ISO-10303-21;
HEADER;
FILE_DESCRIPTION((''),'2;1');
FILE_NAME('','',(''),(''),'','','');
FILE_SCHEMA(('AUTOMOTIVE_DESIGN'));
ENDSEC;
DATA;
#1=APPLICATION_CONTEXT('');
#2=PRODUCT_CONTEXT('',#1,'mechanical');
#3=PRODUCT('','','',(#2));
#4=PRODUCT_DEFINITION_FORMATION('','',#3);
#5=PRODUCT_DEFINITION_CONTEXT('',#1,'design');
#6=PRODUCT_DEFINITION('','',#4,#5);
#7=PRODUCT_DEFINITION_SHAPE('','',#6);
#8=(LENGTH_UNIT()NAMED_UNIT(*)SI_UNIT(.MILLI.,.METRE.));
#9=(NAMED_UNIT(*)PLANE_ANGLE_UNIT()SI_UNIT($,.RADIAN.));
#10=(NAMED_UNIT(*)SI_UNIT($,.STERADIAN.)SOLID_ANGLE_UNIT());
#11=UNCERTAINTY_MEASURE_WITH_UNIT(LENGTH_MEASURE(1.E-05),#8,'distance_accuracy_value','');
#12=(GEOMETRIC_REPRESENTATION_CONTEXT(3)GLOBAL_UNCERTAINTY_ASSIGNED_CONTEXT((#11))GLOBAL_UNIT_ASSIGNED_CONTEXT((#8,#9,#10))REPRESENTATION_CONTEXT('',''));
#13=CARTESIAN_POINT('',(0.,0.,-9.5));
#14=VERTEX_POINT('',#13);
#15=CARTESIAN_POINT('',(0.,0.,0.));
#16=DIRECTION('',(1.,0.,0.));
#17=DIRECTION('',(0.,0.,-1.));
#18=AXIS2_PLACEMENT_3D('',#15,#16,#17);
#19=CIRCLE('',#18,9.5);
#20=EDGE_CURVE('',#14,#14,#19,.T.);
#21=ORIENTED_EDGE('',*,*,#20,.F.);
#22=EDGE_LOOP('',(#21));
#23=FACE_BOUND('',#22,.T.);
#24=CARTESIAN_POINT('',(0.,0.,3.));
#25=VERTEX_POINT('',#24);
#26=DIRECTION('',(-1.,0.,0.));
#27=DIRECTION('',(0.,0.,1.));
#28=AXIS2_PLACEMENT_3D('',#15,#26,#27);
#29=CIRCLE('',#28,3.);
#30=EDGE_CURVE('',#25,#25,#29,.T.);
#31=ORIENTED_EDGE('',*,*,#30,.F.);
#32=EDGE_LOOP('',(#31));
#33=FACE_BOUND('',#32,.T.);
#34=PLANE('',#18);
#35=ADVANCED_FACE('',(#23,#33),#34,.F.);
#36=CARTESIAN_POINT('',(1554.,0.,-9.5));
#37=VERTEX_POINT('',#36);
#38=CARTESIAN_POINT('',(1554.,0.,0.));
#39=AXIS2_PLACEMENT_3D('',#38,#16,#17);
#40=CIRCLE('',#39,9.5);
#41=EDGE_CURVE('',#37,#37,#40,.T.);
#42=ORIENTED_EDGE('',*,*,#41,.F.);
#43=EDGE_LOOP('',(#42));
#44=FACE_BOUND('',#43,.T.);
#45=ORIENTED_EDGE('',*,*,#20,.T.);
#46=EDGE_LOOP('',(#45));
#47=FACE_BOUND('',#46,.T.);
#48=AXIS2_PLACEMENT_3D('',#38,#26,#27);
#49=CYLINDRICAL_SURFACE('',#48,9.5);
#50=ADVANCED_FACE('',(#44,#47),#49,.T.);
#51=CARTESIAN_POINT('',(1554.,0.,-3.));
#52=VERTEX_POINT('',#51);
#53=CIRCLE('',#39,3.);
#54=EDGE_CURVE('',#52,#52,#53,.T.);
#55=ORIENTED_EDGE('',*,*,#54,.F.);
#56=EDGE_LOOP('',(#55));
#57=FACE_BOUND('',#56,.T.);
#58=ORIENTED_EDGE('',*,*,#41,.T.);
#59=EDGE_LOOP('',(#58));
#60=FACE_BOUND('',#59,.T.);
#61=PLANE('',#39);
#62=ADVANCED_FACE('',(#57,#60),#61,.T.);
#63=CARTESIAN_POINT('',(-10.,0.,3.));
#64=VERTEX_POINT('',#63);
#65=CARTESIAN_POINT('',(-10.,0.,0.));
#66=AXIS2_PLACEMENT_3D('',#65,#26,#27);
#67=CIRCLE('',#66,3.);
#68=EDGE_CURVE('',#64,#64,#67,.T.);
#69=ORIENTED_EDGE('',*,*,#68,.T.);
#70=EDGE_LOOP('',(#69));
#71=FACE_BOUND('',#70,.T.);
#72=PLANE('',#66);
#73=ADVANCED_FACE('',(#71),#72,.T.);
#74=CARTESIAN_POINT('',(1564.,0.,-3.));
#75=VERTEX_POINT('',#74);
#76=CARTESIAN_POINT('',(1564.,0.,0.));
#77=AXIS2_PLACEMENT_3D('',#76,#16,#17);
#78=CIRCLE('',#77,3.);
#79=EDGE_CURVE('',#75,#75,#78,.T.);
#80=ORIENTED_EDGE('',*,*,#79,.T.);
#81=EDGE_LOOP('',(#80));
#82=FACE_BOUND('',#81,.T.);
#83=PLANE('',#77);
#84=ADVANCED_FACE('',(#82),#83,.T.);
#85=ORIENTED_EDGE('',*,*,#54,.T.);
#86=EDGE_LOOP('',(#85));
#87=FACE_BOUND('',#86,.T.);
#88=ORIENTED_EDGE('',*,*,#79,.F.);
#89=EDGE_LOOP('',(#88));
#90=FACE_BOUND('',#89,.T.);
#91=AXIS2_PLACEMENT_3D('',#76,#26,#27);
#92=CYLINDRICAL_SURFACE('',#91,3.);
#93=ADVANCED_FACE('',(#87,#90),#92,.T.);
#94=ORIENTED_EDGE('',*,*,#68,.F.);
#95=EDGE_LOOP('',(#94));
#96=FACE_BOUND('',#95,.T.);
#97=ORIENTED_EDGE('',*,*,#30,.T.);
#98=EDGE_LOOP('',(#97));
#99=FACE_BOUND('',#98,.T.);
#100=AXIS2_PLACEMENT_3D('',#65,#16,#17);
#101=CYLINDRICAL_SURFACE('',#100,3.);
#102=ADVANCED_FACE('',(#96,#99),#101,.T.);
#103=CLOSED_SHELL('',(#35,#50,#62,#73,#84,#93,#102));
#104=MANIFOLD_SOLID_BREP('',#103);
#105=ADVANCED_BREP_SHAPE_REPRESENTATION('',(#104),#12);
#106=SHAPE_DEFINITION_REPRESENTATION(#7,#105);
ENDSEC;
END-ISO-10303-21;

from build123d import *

# Parameters (mm, degrees)
SKETCH1_R           = 9.5
BOSS_EXTRUDE1_DEPTH = 1554
SKETCH2_R           = 3
BOSS_EXTRUDE2_DEPTH = 10
SKETCH3_R           = 3
BOSS_EXTRUDE3_DEPTH = 10


with BuildPart() as part:
    # Sketch1 → Boss-Extrude1 (new body)
    with BuildSketch(Plane(origin=(0, 0, 0), x_dir=(0, 0, -1), z_dir=(1, 0, 0))):
        Circle(SKETCH1_R)
    extrude(amount=BOSS_EXTRUDE1_DEPTH)

    # Sketch2 → Boss-Extrude2 (add)
    with BuildSketch(Plane.ZY):
        Circle(SKETCH2_R)
    extrude(amount=BOSS_EXTRUDE2_DEPTH)

    # Sketch3 → Boss-Extrude3 (add)
    with BuildSketch(Plane(origin=(1554, 0, 0), x_dir=(0, 0, -1), z_dir=(1, 0, 0))):
        Circle(SKETCH3_R)
    extrude(amount=BOSS_EXTRUDE3_DEPTH)


solid = part.part
